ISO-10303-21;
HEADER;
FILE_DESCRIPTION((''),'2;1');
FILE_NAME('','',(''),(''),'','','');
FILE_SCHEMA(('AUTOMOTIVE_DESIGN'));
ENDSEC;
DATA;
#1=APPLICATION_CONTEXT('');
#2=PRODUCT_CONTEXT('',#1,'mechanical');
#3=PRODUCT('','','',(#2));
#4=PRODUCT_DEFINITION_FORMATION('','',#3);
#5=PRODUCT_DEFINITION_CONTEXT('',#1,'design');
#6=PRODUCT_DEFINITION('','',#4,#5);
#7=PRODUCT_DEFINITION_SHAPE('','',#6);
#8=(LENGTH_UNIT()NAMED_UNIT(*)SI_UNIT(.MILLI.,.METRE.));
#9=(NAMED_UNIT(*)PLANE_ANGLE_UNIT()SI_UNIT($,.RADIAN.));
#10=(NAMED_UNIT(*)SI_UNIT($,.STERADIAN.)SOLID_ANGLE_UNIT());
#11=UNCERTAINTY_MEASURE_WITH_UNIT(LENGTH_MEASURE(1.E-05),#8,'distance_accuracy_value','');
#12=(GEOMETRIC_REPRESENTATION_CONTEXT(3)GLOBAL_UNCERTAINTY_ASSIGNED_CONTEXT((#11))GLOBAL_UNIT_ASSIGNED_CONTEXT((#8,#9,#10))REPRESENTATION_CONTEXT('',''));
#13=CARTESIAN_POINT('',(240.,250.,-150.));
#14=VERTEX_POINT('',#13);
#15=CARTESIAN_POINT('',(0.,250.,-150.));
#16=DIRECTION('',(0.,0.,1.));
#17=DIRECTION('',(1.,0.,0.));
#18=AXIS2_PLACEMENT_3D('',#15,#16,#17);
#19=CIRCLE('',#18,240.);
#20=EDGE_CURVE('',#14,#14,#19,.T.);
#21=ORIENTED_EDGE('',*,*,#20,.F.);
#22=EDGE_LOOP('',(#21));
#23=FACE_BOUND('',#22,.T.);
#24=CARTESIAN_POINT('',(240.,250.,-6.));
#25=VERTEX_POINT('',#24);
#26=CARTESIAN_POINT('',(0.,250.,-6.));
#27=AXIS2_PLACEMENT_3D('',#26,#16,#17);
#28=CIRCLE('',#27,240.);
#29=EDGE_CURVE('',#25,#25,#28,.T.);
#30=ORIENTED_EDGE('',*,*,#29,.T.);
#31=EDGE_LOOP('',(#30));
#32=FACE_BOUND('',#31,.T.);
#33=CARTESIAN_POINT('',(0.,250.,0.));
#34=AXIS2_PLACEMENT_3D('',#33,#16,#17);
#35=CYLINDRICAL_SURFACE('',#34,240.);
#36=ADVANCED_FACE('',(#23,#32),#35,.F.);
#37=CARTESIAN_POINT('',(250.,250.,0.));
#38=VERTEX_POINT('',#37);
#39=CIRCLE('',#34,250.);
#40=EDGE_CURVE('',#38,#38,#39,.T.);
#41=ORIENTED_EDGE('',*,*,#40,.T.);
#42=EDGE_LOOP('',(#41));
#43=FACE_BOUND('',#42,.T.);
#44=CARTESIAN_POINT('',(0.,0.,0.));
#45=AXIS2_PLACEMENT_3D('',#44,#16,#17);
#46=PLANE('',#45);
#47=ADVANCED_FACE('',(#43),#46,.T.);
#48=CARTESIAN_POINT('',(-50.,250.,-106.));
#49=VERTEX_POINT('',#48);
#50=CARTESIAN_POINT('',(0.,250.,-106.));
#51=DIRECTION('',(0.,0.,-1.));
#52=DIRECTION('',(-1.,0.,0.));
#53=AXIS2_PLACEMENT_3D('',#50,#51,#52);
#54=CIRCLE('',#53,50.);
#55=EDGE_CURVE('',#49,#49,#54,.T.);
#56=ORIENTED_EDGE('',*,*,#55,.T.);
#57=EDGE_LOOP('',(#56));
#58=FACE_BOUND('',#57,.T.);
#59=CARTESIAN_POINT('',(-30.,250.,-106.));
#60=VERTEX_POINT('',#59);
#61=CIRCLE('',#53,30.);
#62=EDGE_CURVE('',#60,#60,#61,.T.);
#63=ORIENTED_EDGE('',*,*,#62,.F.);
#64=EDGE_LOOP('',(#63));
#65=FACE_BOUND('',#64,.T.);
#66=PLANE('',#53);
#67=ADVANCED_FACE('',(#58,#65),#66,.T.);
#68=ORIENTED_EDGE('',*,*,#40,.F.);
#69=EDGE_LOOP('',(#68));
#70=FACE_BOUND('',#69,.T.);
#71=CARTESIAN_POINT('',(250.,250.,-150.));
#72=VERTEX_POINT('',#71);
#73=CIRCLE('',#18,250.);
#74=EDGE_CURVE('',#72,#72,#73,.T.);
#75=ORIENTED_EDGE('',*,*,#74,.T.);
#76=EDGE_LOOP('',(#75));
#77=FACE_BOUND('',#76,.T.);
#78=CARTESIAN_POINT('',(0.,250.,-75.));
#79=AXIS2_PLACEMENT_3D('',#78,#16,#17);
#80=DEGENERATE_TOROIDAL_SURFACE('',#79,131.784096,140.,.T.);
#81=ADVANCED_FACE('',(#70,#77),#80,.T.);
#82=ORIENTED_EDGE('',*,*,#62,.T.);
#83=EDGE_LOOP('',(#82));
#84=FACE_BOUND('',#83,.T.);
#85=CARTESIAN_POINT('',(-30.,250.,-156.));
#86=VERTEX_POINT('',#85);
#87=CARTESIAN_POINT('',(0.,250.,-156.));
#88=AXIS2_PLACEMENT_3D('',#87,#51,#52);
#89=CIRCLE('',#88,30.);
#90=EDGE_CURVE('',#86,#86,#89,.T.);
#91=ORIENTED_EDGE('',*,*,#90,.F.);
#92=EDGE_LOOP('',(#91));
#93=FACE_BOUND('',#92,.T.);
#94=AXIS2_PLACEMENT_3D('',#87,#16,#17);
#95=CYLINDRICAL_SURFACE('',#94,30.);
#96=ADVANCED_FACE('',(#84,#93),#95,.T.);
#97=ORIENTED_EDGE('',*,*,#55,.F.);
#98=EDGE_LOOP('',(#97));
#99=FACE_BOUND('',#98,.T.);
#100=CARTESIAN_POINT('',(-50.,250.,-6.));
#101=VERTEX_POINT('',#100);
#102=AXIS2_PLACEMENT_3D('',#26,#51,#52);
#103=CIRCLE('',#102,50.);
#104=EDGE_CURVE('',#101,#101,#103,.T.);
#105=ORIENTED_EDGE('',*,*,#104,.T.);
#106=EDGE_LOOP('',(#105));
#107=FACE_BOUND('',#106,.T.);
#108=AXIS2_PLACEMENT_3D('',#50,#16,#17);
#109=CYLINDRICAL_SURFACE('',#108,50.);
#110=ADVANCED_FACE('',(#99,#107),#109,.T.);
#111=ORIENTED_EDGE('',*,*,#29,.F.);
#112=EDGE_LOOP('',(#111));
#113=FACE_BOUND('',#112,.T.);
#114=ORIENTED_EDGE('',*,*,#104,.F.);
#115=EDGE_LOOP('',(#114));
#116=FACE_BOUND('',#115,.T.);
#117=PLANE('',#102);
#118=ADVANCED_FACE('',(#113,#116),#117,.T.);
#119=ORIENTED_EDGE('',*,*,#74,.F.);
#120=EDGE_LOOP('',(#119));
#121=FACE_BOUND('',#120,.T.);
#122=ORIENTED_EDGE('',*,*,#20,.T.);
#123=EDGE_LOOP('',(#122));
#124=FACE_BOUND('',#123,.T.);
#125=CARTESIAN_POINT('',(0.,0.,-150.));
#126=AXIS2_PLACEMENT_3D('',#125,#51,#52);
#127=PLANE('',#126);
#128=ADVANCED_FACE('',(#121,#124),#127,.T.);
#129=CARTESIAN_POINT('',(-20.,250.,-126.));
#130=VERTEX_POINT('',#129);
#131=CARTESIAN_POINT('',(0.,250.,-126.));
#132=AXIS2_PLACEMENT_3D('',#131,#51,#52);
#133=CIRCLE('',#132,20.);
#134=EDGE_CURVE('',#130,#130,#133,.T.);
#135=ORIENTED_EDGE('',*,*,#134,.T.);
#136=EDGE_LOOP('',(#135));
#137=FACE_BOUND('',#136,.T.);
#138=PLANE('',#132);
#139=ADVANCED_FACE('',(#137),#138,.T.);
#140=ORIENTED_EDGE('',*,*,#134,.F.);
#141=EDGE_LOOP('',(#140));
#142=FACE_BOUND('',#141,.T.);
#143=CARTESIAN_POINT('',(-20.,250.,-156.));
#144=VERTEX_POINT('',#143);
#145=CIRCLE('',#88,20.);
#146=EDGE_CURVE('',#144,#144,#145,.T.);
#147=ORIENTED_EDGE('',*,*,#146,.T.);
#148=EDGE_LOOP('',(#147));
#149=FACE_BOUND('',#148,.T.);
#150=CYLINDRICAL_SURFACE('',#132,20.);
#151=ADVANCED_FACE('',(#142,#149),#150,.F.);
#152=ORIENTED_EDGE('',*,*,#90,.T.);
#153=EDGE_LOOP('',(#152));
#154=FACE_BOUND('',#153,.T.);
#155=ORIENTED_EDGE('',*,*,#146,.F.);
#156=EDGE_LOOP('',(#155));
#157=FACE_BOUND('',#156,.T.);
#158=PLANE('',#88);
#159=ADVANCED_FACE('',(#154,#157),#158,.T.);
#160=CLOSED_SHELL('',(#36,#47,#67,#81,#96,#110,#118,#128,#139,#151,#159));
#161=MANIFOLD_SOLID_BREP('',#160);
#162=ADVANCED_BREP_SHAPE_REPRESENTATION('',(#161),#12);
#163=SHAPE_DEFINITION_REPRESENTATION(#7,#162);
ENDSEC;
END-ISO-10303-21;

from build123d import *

# Parameters (mm, degrees)
SKETCH2_R           = 50
BOSS_EXTRUDE1_DEPTH = 100
SKETCH3_R           = 30
BOSS_EXTRUDE2_DEPTH = 50
SKETCH4_R           = 20
CUT_EXTRUDE1_DEPTH  = 30


with BuildPart() as part:
    # Sketch1 → Revolve1 (revolve)
    with BuildSketch(Plane(origin=(0, 0, 0), x_dir=(0, 0, -1), z_dir=(1, 0, 0)), mode=Mode.PRIVATE) as revolve1_sk:
        with BuildLine():
            Line((0, 0), (0, 10))
            Line((0, 10), (0, 250))
            Line((0, 250), (6, 250))
            Line((6, 250), (6, 10))
            Line((6, 10), (150, 10))
            Line((150, 10), (150, 0))
            ThreePointArc((150, 0), (75, -21.784095825), (0, 0))
        make_face()
    revolve(revolve1_sk.sketch.rotate(Axis((0, 250, 0), (0, 0, -1)), 270), axis=Axis((0, 250, 0), (0, 0, -1)))

    # Sketch2 → Boss-Extrude1 (add)
    with BuildSketch(Plane(origin=(0, 0, -6), x_dir=(-1, 0, 0), z_dir=(0, 0, -1))):
        with Locations((0, 250)):
            Circle(SKETCH2_R)
    extrude(amount=BOSS_EXTRUDE1_DEPTH)

    # Sketch3 → Boss-Extrude2 (add)
    with BuildSketch(Plane(origin=(0, 0, -106), x_dir=(-1, 0, 0), z_dir=(0, 0, -1))):
        with Locations((0, 250)):
            Circle(SKETCH3_R)
    extrude(amount=BOSS_EXTRUDE2_DEPTH)

    # Sketch4 → Cut-Extrude1 (cut)
    with BuildSketch(Plane(origin=(0, 0, -156), x_dir=(-1, 0, 0), z_dir=(0, 0, -1))):
        with Locations((0, 250)):
            Circle(SKETCH4_R)
    extrude(amount=-CUT_EXTRUDE1_DEPTH, mode=Mode.SUBTRACT)


solid = part.part
